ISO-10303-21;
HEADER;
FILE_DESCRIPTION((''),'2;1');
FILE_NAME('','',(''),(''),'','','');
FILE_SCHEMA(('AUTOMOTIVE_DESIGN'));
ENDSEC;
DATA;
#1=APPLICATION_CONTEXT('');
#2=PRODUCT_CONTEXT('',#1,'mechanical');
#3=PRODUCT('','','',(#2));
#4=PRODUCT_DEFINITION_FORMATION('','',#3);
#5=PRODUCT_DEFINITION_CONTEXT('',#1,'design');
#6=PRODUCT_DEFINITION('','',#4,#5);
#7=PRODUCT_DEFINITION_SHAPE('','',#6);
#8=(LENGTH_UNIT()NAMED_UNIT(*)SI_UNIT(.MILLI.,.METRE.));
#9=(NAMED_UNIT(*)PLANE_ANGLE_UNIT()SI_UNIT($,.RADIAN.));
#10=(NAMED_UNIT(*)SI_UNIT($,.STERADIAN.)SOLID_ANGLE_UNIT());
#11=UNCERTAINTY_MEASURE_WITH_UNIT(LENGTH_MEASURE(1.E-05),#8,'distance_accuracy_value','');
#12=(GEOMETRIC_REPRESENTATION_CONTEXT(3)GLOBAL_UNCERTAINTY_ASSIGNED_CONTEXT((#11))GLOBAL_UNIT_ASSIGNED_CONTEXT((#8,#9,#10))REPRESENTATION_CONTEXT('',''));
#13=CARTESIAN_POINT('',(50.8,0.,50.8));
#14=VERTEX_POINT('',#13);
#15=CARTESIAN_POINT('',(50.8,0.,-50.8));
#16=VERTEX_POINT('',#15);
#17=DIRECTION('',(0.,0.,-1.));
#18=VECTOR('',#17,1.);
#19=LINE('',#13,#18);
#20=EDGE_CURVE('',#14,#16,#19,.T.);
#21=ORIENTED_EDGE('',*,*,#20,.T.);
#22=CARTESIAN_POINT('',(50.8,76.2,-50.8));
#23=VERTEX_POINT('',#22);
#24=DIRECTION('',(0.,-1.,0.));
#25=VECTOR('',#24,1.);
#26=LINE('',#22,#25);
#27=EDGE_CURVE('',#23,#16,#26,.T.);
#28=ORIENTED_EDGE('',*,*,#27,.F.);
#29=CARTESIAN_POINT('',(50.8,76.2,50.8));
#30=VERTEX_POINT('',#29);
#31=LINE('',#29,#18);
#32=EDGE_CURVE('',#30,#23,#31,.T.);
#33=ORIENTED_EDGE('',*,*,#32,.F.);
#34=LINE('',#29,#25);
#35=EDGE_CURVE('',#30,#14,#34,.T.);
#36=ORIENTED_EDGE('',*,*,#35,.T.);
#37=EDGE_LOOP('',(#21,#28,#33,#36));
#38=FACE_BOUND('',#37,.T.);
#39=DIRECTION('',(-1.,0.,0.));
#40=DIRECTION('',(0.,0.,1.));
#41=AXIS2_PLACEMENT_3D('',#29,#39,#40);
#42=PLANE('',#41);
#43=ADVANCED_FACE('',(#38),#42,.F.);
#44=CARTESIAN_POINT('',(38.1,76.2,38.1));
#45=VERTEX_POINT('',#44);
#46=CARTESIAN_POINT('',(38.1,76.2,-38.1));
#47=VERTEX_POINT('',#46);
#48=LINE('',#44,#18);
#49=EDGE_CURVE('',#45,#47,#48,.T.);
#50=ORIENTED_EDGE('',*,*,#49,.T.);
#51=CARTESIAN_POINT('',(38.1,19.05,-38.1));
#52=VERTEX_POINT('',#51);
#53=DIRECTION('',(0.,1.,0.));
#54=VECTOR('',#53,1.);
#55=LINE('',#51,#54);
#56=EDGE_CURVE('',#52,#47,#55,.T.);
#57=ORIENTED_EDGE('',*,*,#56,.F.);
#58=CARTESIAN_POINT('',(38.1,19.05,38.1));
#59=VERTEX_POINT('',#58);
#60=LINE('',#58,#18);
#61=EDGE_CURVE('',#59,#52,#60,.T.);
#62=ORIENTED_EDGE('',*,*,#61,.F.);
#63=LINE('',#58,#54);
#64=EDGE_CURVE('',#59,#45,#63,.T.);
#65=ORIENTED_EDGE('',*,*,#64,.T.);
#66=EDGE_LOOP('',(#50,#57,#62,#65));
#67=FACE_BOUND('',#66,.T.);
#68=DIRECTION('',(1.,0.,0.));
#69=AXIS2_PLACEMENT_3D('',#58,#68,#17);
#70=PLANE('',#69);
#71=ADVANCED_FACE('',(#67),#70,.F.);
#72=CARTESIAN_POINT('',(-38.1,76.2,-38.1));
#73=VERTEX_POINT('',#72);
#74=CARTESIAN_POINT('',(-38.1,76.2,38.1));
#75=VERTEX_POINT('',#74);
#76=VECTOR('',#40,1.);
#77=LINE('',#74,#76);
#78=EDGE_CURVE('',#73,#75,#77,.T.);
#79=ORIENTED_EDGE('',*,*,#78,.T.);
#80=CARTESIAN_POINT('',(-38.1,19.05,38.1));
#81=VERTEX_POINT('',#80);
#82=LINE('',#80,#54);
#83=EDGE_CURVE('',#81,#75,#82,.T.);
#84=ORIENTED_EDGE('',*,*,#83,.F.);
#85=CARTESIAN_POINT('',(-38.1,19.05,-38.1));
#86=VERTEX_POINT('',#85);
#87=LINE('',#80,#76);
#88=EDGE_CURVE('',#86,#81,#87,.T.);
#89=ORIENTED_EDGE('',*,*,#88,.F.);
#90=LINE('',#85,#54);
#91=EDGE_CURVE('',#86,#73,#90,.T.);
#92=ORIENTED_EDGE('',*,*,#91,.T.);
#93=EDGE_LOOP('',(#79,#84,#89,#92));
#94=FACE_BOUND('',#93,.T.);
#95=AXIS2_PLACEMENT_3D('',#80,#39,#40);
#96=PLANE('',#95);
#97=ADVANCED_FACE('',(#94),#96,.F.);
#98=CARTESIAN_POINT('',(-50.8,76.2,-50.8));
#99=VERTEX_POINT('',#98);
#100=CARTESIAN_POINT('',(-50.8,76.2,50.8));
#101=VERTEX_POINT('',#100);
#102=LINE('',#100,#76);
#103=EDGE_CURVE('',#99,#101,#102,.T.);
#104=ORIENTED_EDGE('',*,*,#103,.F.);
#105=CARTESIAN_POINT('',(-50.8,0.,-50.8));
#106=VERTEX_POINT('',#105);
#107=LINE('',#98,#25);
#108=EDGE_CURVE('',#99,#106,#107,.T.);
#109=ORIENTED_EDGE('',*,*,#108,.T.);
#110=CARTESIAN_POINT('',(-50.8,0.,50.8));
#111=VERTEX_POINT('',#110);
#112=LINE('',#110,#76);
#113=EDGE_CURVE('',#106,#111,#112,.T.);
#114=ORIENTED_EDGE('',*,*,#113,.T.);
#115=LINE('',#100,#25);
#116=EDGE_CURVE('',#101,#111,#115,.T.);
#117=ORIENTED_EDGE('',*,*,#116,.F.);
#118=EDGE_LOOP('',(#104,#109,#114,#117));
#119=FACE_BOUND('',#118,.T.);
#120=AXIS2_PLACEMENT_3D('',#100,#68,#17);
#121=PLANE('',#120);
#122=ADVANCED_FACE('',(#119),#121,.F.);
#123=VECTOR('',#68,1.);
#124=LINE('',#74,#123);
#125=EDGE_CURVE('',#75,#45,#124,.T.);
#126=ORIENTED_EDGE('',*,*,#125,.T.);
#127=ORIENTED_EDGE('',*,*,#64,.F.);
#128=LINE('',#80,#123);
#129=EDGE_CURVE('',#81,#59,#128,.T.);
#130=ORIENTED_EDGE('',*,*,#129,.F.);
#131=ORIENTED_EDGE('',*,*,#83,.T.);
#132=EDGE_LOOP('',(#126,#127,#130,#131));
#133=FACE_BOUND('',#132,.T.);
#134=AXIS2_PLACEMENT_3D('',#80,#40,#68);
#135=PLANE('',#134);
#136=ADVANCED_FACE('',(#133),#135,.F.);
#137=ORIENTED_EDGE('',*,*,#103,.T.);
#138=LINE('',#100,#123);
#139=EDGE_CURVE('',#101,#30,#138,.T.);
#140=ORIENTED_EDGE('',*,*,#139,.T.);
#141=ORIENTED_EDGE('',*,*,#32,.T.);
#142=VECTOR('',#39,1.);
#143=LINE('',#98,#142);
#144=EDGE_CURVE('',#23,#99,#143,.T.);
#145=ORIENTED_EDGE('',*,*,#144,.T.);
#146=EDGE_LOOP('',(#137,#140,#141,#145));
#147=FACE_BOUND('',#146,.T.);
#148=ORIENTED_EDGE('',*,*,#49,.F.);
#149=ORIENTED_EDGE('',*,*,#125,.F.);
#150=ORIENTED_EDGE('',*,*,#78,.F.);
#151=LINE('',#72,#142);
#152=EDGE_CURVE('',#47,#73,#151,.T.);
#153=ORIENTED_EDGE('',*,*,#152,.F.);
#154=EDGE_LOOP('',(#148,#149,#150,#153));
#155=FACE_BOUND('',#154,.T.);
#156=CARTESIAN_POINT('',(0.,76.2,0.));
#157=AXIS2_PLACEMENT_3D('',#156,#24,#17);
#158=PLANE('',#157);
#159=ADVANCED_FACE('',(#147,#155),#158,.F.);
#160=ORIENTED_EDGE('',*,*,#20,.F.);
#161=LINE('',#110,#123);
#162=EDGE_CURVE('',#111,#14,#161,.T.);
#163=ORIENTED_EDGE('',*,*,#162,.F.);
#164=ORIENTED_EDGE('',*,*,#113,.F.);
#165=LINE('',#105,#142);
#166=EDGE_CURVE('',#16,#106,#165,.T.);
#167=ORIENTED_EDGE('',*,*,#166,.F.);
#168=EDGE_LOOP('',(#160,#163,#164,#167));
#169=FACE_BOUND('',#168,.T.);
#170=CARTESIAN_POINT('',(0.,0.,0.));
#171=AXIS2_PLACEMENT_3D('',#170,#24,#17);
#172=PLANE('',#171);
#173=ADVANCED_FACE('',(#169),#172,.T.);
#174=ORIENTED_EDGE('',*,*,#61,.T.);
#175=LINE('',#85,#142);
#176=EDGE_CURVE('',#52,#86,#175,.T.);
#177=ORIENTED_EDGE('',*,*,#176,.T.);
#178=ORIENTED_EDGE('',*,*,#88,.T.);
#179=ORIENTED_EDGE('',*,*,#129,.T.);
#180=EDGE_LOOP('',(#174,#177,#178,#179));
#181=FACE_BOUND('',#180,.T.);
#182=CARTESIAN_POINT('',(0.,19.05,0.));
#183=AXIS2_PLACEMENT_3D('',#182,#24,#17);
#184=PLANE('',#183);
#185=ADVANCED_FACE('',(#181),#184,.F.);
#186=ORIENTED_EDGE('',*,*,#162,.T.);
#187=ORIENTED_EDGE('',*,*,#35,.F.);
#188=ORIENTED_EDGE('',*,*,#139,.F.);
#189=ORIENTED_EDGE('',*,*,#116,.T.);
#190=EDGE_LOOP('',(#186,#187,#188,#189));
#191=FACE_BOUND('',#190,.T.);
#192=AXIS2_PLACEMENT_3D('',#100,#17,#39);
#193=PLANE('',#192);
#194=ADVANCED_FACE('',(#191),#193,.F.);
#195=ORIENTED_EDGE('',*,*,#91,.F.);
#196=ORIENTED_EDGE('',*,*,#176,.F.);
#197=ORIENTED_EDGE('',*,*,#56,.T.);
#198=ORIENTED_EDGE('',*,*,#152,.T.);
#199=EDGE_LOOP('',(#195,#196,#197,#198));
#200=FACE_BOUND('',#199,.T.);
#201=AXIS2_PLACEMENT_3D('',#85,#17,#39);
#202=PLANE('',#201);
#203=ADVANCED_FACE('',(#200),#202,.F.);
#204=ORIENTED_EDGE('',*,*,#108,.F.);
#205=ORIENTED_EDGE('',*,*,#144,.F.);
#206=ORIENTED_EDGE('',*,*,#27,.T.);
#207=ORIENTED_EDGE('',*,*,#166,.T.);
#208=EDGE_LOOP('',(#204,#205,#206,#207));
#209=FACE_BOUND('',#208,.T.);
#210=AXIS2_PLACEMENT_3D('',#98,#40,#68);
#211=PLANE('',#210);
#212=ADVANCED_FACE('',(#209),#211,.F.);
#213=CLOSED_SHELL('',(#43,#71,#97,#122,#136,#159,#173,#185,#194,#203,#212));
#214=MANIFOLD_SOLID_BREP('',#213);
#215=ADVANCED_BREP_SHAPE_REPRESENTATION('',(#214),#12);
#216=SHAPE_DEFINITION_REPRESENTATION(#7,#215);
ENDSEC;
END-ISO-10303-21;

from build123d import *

# Parameters (mm, degrees)
SKETCH1_W           = 101.6
SKETCH1_H           = 101.6
BOSS_EXTRUDE1_DEPTH = 76.2
SKETCH3_W           = 76.2
SKETCH3_H           = 76.2
CUT_EXTRUDE2_DEPTH  = 57.15


with BuildPart() as part:
    # Sketch1 → Boss-Extrude1 (new body)
    with BuildSketch(Plane(origin=(0, 0, 0), x_dir=(1, 0, 0), z_dir=(0, 1, 0))):
        Rectangle(SKETCH1_W, SKETCH1_H)
    extrude(amount=BOSS_EXTRUDE1_DEPTH)

    # Sketch3 → Cut-Extrude2 (cut)
    with BuildSketch(Plane(origin=(0, 76.2, 0), x_dir=(1, 0, 0), z_dir=(0, 1, 0))):
        Rectangle(SKETCH3_W, SKETCH3_H)
    extrude(amount=-CUT_EXTRUDE2_DEPTH, mode=Mode.SUBTRACT)


solid = part.part
